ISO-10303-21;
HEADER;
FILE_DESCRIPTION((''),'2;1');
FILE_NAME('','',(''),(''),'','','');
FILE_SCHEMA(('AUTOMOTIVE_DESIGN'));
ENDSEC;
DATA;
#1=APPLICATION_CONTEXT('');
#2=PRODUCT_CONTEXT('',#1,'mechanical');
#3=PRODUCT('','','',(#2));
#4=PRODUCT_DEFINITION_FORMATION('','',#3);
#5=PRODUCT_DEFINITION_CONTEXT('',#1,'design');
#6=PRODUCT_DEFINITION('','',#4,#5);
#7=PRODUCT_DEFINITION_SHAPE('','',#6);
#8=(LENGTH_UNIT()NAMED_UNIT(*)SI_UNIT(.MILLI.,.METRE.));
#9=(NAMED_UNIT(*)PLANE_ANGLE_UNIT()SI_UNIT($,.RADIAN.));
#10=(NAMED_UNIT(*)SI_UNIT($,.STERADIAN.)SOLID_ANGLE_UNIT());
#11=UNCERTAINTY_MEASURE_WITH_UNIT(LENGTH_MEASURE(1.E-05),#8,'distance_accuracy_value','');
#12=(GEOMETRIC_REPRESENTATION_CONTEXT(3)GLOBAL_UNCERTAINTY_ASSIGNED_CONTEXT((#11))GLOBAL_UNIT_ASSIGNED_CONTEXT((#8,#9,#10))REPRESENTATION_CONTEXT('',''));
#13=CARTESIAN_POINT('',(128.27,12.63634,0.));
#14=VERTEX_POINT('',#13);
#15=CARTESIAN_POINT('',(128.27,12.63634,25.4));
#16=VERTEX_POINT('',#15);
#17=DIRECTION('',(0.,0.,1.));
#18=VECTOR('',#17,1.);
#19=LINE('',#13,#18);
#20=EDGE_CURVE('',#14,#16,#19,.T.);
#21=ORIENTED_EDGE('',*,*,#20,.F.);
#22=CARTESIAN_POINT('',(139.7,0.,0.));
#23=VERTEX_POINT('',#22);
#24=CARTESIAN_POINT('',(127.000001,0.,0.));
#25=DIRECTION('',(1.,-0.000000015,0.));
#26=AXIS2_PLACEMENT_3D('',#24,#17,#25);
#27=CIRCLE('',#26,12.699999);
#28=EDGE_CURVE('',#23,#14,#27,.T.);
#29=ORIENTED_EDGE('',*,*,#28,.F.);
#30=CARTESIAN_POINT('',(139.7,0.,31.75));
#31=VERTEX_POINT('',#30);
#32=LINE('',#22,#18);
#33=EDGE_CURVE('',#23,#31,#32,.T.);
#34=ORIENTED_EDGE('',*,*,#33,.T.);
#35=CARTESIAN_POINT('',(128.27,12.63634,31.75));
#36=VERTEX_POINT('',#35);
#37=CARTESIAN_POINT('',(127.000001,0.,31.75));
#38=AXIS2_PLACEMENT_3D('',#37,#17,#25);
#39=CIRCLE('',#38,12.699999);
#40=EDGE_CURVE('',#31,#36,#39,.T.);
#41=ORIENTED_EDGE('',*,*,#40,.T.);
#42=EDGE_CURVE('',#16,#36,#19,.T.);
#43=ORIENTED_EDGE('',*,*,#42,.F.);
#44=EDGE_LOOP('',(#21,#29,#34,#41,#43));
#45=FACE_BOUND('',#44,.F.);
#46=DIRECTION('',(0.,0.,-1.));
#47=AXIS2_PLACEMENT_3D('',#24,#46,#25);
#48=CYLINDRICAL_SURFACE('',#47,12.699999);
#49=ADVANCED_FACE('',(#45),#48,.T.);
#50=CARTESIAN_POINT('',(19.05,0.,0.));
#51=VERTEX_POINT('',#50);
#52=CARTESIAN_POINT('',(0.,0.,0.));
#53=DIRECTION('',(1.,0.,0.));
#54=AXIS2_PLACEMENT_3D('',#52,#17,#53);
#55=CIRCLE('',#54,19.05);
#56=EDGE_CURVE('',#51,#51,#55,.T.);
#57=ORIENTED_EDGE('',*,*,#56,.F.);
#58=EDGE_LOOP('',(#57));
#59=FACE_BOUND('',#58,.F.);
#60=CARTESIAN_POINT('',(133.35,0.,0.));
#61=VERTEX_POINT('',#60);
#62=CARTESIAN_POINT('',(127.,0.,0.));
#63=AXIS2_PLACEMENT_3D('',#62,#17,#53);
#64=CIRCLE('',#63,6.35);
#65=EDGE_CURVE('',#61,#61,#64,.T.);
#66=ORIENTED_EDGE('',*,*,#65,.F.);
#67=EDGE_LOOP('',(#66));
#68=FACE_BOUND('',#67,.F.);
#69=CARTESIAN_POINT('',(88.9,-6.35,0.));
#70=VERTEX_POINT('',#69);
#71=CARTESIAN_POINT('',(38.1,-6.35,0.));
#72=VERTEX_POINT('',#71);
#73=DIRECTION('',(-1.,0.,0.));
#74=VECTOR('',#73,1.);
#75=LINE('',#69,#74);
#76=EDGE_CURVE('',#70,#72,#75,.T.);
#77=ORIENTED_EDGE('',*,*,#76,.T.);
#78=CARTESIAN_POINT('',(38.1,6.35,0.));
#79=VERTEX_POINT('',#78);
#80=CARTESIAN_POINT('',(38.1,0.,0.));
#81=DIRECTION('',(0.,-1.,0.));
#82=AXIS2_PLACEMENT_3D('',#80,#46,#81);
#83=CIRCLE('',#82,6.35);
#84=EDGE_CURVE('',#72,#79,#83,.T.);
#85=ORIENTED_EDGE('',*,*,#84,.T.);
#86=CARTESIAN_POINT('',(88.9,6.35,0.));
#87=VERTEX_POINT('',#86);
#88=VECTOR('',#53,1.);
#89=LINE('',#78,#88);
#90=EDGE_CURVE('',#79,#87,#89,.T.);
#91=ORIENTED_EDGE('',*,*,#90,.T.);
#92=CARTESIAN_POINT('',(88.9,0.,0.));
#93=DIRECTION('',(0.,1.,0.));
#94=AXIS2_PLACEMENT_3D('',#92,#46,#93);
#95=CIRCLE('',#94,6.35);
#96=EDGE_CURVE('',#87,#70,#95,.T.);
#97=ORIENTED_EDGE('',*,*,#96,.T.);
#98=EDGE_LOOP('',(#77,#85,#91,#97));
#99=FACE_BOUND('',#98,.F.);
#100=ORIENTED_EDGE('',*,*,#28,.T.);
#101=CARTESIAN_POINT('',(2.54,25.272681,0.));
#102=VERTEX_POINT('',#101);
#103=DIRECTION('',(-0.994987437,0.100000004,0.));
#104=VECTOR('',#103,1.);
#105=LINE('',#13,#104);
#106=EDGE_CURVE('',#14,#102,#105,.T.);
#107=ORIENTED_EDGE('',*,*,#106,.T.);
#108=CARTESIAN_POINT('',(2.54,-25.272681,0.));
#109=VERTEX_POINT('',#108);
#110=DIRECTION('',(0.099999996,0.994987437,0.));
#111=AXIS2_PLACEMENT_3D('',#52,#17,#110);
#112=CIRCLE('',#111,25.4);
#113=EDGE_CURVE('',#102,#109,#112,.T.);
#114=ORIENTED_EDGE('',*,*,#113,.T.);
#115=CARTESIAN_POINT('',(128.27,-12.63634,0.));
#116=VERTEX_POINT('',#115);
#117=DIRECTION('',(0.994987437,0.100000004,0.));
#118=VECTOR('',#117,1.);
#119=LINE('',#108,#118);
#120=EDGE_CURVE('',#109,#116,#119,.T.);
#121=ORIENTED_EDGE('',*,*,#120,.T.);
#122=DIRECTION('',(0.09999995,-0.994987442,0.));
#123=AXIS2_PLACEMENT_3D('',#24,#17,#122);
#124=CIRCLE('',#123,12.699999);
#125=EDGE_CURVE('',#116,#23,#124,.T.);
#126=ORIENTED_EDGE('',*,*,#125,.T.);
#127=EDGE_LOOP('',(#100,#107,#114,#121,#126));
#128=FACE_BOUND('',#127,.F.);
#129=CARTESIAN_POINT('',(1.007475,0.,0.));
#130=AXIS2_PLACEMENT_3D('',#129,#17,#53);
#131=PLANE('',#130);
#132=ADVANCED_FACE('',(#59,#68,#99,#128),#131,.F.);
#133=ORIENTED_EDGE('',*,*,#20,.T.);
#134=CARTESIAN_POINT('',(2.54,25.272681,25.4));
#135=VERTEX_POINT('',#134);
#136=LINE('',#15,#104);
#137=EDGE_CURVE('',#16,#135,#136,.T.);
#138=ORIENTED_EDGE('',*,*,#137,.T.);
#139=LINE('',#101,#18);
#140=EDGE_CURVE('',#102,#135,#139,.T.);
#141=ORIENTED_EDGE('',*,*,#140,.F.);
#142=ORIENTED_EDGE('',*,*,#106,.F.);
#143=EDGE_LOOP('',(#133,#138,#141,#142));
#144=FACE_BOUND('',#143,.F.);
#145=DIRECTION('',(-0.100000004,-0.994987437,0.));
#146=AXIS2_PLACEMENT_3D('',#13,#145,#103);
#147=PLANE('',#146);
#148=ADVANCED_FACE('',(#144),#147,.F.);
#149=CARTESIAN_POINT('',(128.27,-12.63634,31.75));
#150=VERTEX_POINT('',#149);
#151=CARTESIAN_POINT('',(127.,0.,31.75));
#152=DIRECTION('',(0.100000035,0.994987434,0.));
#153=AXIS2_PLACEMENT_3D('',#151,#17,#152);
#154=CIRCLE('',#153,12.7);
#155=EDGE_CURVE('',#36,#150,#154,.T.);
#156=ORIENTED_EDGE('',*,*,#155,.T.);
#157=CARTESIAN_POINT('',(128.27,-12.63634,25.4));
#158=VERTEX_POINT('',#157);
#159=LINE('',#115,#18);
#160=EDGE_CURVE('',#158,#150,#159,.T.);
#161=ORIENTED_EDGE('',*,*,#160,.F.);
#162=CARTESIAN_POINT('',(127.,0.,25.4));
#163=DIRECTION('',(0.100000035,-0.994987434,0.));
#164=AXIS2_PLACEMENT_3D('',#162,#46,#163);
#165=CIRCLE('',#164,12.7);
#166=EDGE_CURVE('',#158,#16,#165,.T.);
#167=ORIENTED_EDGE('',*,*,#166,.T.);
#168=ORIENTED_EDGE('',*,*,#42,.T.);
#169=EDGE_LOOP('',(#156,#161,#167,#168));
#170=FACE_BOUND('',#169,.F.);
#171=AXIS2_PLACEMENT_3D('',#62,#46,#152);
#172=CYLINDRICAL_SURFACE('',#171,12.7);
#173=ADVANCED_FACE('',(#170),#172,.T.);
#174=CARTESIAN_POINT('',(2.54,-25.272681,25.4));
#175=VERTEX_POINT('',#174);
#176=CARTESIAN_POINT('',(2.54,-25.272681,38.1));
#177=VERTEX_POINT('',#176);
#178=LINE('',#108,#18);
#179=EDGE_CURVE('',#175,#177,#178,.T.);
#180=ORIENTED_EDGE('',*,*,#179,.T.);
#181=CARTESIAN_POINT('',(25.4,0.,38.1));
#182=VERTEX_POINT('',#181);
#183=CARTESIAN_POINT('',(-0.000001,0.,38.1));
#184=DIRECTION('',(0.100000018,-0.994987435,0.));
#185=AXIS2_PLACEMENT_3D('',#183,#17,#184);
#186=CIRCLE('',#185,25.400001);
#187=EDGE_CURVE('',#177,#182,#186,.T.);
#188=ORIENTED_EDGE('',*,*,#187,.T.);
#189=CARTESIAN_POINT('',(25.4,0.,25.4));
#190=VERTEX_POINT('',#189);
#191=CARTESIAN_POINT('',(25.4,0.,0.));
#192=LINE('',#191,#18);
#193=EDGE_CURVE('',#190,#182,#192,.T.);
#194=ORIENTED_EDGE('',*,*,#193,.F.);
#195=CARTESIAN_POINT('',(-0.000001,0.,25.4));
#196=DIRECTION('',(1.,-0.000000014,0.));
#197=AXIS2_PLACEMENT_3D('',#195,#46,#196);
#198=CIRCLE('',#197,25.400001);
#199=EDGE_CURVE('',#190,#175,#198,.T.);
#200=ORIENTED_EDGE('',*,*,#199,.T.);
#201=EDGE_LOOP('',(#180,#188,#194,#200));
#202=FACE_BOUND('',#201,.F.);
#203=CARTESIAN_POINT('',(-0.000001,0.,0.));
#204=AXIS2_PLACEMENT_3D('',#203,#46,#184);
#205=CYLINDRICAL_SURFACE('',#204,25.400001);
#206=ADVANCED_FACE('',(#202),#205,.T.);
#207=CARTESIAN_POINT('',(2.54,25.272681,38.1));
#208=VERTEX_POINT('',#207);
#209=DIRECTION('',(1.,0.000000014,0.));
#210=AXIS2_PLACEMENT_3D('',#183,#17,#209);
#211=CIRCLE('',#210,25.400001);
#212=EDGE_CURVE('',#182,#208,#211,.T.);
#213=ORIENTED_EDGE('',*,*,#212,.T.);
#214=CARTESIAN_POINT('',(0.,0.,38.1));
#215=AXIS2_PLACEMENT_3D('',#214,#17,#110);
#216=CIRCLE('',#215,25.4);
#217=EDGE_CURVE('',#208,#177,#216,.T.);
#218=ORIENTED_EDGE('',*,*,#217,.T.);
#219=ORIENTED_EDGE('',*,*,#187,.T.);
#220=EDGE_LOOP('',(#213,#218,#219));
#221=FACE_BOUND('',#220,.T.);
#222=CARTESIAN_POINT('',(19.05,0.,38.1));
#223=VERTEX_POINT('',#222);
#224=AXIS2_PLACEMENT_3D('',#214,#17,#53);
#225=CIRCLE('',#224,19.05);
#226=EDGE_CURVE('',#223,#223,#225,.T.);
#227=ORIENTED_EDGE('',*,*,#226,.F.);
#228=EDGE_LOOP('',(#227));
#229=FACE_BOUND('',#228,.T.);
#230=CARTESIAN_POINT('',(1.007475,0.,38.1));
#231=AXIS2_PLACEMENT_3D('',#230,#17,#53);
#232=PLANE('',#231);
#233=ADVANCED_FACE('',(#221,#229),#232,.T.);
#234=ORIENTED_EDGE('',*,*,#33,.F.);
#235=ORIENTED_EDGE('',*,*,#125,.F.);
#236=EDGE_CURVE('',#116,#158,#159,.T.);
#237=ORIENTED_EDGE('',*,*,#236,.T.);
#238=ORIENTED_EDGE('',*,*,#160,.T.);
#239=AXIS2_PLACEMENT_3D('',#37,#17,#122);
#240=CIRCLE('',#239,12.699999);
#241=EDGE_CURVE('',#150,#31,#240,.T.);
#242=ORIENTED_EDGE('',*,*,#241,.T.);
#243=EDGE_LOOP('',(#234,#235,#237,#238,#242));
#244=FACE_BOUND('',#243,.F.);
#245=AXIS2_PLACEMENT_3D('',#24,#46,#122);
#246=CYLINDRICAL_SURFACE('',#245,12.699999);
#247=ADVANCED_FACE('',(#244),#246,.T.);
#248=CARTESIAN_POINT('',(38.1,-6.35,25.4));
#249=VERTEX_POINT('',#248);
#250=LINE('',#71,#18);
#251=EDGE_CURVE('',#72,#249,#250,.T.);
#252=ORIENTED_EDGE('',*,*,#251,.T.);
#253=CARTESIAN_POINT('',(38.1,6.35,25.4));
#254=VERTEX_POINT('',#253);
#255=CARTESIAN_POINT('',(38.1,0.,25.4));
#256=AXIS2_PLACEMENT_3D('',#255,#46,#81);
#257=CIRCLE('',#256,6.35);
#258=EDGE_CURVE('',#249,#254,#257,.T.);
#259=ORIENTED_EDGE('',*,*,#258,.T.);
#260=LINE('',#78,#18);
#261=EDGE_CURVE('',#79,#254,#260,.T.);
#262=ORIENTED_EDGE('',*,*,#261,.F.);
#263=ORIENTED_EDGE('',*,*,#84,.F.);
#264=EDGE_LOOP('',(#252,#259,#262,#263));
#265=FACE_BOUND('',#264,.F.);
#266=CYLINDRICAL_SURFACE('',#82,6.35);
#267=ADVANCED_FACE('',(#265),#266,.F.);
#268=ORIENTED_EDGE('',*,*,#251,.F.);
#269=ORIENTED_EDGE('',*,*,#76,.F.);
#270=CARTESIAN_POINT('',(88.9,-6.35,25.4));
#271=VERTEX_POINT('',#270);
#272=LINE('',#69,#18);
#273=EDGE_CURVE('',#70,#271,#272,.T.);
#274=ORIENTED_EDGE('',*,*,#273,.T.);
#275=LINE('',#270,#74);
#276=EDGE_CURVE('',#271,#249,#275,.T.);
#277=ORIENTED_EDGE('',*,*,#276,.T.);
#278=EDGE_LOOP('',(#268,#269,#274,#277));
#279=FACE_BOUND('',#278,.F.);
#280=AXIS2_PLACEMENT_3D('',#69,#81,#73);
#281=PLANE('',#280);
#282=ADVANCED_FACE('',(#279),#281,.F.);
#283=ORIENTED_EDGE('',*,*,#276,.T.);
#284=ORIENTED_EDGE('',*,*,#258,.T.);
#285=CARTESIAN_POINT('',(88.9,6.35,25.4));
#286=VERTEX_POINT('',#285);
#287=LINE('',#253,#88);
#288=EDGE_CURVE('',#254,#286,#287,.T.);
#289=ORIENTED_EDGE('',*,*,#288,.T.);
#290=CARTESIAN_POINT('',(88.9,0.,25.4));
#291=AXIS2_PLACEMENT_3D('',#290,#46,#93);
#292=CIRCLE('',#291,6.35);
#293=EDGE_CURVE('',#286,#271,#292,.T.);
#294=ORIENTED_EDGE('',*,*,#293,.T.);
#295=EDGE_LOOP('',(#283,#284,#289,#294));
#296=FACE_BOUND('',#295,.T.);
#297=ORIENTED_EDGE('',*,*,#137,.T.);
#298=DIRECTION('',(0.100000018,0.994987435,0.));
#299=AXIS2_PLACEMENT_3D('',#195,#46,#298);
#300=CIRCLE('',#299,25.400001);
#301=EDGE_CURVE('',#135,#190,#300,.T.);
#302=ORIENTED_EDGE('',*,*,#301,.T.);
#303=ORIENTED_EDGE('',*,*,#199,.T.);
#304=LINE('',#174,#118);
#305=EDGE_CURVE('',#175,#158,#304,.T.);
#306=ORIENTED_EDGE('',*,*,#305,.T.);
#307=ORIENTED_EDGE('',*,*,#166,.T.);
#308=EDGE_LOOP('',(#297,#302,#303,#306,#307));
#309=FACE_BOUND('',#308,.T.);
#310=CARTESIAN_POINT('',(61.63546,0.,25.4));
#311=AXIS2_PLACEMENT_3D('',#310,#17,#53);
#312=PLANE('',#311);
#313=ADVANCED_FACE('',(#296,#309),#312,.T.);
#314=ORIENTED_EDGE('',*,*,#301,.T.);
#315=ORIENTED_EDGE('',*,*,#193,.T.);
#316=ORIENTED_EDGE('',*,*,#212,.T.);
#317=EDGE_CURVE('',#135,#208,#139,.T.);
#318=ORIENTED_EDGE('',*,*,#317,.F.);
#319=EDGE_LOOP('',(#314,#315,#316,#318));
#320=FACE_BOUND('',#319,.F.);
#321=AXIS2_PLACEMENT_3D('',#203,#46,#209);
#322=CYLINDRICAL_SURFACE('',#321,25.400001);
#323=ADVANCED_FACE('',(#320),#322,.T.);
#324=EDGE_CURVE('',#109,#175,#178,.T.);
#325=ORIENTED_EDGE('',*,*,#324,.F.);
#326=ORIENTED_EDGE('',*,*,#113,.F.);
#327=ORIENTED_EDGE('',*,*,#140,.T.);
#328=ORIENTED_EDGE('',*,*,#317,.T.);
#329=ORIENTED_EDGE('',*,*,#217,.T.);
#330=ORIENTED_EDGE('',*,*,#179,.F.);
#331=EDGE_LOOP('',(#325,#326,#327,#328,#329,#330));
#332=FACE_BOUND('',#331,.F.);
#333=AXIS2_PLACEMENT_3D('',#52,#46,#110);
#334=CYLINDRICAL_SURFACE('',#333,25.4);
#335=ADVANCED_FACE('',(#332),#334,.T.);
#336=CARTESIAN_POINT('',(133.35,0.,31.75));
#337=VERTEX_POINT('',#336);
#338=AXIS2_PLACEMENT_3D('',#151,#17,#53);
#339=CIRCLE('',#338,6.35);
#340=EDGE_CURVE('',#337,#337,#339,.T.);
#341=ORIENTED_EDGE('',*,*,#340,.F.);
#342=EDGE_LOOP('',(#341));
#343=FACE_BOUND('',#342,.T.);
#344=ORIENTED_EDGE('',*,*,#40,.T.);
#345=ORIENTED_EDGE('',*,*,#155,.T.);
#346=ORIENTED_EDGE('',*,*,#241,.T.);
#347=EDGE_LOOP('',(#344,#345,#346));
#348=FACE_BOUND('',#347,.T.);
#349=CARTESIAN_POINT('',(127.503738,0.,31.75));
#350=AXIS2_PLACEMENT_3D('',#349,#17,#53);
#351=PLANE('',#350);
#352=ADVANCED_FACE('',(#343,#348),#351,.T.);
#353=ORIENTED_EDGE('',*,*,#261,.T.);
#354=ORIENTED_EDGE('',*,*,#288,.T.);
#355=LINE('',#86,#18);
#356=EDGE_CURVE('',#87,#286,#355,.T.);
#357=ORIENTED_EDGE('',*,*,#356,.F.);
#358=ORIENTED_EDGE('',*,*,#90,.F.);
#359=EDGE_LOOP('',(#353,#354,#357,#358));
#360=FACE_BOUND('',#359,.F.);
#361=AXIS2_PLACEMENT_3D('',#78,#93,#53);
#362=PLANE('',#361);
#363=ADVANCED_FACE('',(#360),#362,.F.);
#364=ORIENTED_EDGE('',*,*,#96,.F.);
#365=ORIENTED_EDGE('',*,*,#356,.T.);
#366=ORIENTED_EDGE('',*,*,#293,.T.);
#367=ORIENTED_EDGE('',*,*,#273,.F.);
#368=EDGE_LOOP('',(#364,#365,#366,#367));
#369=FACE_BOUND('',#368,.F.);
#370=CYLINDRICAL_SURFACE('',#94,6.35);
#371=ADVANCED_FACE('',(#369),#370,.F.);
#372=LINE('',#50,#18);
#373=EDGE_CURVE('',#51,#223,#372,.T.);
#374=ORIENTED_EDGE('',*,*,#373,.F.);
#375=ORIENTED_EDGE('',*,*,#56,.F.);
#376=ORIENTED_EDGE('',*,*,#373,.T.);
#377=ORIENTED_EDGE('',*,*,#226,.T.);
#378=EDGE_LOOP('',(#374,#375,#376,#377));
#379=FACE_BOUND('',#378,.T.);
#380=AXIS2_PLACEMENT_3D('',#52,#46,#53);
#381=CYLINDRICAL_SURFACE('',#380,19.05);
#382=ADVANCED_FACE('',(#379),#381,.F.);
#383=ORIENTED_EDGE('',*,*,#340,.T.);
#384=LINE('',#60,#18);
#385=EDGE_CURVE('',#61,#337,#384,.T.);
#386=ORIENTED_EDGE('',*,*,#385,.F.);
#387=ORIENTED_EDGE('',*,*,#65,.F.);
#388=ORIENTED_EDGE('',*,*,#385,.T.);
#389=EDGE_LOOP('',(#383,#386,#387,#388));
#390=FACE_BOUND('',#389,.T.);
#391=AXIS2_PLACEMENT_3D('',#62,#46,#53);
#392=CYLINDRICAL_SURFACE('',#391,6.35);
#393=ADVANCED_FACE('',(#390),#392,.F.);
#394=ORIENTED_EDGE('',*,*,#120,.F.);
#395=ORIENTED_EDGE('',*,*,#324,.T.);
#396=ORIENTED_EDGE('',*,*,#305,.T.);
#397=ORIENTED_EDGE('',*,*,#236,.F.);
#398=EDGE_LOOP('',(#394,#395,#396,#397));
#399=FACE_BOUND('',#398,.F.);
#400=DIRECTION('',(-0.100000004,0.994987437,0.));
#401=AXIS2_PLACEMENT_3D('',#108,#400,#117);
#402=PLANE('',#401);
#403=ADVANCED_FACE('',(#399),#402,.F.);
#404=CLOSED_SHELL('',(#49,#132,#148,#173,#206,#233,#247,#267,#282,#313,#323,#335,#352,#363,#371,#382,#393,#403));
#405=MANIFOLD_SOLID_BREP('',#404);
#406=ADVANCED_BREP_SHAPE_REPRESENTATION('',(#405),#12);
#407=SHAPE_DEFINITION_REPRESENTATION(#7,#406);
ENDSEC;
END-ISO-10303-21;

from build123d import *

# Parameters (mm, degrees)
F1_DEPTH = 25.4
F0_R     = 6.35
F2_DEPTH = 31.75
F0_R_2   = 19.05
F3_DEPTH = 38.1


with BuildPart() as f1:
    # F0 (on Top) → F1 (new body)
    with BuildSketch(Plane.XY):
        with BuildLine():
            ThreePointArc((2.54, 25.272681), (18.837144, 17.038838), (25.4, 0))
            ThreePointArc((25.4, 0), (18.837144, -17.038838), (2.54, -25.272681))
            Line((2.54, -25.272681), (128.27, -12.63634))
            ThreePointArc((128.27, -12.63634), (114.3, 0), (128.27, 12.63634))
            Line((128.27, 12.63634), (2.54, 25.272681))
        make_face()
        with BuildLine():
            ThreePointArc((38.1, -6.35), (31.75, 0), (38.1, 6.35))
            Line((38.1, 6.35), (88.9, 6.35))
            ThreePointArc((88.9, 6.35), (95.25, 0), (88.9, -6.35))
            Line((88.9, -6.35), (38.1, -6.35))
        make_face(mode=Mode.SUBTRACT)
    extrude(amount=F1_DEPTH)

    # F0 (on Top) → F2 (join)
    with BuildSketch(Plane.XY):
        with BuildLine():
            ThreePointArc((139.7, 0), (136.418572, 8.519419), (128.27, 12.63634))
            ThreePointArc((128.27, 12.63634), (114.3, 0), (128.27, -12.63634))
            ThreePointArc((128.27, -12.63634), (136.418572, -8.519419), (139.7, 0))
        make_face()
        with Locations((127, 0)):
            Circle(F0_R, mode=Mode.SUBTRACT)
    extrude(amount=F2_DEPTH)

    # F0 (on Top) → F3 (join)
    with BuildSketch(Plane.XY):
        with BuildLine():
            ThreePointArc((2.54, -25.272681), (18.837144, -17.038838), (25.4, 0))
            ThreePointArc((25.4, 0), (18.837144, 17.038838), (2.54, 25.272681))
            ThreePointArc((2.54, 25.272681), (-25.4, 0), (2.54, -25.272681))
        make_face()
        Circle(F0_R_2, mode=Mode.SUBTRACT)
    extrude(amount=F3_DEPTH)


solid = f1.part
